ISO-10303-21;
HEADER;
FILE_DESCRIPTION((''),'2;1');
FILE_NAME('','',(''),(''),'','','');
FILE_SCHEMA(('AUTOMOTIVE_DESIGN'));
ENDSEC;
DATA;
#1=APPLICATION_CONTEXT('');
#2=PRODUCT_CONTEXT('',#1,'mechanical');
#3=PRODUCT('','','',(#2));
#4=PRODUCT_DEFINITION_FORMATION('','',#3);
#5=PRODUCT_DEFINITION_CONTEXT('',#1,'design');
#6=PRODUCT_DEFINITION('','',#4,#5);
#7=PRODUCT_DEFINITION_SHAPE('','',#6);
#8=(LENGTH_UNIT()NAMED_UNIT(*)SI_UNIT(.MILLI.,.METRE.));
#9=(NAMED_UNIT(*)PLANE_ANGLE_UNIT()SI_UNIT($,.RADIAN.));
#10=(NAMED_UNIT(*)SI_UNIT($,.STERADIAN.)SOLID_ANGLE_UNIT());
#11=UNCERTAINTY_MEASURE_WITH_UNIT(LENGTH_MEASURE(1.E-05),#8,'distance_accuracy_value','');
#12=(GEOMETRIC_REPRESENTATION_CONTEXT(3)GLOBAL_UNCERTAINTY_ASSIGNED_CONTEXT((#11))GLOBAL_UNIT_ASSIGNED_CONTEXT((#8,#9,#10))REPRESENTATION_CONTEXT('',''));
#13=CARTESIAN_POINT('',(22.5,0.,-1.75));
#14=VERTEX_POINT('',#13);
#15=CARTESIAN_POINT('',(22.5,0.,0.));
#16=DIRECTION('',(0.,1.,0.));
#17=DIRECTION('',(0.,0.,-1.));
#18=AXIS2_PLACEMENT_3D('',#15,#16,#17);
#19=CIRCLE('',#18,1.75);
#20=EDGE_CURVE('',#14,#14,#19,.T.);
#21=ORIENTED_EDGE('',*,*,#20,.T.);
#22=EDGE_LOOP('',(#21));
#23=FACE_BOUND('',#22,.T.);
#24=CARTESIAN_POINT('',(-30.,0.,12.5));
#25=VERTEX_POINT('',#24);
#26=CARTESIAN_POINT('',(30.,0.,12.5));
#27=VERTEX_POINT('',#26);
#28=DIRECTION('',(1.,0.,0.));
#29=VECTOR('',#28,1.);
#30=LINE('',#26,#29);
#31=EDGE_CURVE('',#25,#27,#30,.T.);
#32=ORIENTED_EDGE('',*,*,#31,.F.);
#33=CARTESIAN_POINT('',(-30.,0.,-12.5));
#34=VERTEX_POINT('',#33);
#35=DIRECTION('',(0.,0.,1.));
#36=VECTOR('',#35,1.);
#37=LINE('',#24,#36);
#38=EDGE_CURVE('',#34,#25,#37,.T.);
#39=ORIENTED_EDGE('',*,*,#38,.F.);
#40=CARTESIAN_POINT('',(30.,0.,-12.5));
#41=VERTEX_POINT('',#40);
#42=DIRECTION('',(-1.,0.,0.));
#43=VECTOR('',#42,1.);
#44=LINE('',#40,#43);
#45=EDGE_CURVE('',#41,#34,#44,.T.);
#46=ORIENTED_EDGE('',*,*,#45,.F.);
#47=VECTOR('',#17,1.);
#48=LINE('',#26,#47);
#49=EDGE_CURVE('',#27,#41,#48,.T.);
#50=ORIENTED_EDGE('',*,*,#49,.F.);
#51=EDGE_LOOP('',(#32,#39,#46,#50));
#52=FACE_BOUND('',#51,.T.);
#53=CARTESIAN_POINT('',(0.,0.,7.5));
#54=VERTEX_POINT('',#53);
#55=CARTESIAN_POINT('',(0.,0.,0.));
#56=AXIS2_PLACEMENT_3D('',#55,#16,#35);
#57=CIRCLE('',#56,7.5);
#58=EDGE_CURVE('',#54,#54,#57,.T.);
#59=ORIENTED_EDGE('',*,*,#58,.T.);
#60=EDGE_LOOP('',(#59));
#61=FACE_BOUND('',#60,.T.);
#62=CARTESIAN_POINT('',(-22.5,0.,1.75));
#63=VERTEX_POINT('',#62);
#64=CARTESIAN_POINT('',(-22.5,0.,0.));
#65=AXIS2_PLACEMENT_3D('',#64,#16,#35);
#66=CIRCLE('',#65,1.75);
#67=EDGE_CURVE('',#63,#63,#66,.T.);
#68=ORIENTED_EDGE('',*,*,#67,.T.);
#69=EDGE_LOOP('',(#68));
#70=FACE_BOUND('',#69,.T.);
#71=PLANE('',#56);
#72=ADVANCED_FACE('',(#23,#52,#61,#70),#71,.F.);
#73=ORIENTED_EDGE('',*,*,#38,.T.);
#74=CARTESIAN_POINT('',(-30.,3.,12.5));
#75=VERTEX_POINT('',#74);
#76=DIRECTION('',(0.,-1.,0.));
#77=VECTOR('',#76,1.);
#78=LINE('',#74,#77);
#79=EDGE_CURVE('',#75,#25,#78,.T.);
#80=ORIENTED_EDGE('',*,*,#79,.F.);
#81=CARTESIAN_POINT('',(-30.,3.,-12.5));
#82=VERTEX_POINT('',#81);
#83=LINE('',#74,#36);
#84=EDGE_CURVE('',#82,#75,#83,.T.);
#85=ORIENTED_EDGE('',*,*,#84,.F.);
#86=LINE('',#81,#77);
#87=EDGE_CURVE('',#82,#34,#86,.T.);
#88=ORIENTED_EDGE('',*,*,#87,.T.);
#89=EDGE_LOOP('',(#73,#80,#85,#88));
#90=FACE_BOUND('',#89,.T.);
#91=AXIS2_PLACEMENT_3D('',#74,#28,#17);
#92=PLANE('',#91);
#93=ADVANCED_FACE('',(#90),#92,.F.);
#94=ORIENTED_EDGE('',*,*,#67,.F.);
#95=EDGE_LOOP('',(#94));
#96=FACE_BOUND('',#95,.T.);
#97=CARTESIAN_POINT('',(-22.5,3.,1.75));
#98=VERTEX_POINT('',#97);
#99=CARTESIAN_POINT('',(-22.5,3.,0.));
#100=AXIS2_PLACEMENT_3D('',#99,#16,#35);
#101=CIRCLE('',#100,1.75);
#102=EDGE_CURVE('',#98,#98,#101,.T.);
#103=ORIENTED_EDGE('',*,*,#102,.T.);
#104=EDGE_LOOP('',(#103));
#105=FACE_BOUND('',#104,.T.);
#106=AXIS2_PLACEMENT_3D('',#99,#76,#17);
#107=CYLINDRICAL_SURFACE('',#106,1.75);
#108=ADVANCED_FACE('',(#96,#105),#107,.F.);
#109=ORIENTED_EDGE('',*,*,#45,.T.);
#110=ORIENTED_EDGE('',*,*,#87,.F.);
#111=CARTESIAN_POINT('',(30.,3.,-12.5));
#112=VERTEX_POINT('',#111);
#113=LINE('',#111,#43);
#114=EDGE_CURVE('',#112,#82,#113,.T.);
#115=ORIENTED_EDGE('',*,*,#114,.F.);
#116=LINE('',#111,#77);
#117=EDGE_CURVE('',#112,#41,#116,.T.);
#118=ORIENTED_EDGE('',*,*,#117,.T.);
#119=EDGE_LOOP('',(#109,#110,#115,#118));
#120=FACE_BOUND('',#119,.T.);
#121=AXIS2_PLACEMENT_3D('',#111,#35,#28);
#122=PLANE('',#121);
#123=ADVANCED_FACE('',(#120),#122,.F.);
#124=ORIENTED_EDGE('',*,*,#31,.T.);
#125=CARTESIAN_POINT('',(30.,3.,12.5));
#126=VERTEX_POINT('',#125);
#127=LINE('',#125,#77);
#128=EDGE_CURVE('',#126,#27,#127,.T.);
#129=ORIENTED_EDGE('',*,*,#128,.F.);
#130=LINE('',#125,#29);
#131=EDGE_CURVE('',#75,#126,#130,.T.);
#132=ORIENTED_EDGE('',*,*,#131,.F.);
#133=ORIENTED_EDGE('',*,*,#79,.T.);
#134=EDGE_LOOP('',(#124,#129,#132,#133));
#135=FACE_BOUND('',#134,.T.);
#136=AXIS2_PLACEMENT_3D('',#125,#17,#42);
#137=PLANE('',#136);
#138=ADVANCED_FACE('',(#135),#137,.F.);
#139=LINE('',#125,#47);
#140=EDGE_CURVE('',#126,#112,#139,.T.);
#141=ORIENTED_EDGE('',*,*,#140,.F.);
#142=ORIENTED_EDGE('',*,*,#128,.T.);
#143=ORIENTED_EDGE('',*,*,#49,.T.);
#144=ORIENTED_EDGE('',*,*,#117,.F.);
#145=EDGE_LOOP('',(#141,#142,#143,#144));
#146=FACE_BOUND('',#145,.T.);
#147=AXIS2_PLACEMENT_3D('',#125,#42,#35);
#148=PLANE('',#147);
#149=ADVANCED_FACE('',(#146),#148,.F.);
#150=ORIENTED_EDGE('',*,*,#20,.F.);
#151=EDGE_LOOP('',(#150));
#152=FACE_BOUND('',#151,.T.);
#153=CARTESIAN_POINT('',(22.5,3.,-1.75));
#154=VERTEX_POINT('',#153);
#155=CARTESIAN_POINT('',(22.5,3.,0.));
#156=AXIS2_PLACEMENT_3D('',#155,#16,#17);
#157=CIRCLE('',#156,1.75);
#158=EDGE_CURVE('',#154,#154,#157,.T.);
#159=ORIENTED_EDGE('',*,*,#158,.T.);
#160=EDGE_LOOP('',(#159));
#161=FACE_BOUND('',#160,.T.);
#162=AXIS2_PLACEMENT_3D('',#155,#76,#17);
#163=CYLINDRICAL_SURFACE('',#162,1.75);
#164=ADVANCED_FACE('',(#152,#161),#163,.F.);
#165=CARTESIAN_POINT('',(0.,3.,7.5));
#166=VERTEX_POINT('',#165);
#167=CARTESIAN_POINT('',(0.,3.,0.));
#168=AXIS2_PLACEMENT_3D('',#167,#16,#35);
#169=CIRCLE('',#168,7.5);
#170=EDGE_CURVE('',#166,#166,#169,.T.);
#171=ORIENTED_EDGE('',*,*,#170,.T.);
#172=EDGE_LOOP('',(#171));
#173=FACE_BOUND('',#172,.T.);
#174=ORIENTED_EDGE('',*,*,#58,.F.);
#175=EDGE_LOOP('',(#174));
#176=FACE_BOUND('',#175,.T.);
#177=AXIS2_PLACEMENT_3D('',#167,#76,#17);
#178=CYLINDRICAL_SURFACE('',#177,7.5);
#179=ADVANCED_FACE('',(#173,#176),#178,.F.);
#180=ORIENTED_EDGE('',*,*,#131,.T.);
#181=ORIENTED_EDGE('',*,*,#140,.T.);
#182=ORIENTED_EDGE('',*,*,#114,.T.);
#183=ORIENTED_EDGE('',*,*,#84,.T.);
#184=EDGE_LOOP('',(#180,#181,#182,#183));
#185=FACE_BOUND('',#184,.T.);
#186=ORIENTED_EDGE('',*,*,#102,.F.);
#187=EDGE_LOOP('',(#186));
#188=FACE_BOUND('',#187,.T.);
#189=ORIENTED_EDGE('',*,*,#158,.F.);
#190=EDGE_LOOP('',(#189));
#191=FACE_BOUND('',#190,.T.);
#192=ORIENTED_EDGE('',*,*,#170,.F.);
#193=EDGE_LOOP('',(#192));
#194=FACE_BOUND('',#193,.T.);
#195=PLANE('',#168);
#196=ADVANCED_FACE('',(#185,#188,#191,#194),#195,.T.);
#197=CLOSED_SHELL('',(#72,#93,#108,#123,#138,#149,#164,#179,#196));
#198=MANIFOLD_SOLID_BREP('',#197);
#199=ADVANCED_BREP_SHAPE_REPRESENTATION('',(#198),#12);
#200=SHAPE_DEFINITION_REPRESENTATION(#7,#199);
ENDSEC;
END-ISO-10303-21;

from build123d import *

# Parameters (mm, degrees)
SKETCH1_W           = 60
SKETCH1_H           = 25
SKETCH1_R           = 7.5
SKETCH1_R_2         = 1.75
BOSS_EXTRUDE1_DEPTH = 3


with BuildPart() as part:
    # Sketch1 → Boss-Extrude1 (new body)
    with BuildSketch(Plane(origin=(0, 0, 0), x_dir=(1, 0, 0), z_dir=(0, 1, 0))):
        Rectangle(SKETCH1_W, SKETCH1_H)
        with Locations(Location((0, 0, 0), (0, 0, 270))):
            Circle(SKETCH1_R, mode=Mode.SUBTRACT)
        with Locations(Location((-22.5, 0, 0), (0, 0, 270))):
            Circle(SKETCH1_R_2, mode=Mode.SUBTRACT)
        with Locations(Location((22.5, 0, 0), (0, 0, 90))):
            Circle(SKETCH1_R_2, mode=Mode.SUBTRACT)
    extrude(amount=BOSS_EXTRUDE1_DEPTH)


solid = part.part
